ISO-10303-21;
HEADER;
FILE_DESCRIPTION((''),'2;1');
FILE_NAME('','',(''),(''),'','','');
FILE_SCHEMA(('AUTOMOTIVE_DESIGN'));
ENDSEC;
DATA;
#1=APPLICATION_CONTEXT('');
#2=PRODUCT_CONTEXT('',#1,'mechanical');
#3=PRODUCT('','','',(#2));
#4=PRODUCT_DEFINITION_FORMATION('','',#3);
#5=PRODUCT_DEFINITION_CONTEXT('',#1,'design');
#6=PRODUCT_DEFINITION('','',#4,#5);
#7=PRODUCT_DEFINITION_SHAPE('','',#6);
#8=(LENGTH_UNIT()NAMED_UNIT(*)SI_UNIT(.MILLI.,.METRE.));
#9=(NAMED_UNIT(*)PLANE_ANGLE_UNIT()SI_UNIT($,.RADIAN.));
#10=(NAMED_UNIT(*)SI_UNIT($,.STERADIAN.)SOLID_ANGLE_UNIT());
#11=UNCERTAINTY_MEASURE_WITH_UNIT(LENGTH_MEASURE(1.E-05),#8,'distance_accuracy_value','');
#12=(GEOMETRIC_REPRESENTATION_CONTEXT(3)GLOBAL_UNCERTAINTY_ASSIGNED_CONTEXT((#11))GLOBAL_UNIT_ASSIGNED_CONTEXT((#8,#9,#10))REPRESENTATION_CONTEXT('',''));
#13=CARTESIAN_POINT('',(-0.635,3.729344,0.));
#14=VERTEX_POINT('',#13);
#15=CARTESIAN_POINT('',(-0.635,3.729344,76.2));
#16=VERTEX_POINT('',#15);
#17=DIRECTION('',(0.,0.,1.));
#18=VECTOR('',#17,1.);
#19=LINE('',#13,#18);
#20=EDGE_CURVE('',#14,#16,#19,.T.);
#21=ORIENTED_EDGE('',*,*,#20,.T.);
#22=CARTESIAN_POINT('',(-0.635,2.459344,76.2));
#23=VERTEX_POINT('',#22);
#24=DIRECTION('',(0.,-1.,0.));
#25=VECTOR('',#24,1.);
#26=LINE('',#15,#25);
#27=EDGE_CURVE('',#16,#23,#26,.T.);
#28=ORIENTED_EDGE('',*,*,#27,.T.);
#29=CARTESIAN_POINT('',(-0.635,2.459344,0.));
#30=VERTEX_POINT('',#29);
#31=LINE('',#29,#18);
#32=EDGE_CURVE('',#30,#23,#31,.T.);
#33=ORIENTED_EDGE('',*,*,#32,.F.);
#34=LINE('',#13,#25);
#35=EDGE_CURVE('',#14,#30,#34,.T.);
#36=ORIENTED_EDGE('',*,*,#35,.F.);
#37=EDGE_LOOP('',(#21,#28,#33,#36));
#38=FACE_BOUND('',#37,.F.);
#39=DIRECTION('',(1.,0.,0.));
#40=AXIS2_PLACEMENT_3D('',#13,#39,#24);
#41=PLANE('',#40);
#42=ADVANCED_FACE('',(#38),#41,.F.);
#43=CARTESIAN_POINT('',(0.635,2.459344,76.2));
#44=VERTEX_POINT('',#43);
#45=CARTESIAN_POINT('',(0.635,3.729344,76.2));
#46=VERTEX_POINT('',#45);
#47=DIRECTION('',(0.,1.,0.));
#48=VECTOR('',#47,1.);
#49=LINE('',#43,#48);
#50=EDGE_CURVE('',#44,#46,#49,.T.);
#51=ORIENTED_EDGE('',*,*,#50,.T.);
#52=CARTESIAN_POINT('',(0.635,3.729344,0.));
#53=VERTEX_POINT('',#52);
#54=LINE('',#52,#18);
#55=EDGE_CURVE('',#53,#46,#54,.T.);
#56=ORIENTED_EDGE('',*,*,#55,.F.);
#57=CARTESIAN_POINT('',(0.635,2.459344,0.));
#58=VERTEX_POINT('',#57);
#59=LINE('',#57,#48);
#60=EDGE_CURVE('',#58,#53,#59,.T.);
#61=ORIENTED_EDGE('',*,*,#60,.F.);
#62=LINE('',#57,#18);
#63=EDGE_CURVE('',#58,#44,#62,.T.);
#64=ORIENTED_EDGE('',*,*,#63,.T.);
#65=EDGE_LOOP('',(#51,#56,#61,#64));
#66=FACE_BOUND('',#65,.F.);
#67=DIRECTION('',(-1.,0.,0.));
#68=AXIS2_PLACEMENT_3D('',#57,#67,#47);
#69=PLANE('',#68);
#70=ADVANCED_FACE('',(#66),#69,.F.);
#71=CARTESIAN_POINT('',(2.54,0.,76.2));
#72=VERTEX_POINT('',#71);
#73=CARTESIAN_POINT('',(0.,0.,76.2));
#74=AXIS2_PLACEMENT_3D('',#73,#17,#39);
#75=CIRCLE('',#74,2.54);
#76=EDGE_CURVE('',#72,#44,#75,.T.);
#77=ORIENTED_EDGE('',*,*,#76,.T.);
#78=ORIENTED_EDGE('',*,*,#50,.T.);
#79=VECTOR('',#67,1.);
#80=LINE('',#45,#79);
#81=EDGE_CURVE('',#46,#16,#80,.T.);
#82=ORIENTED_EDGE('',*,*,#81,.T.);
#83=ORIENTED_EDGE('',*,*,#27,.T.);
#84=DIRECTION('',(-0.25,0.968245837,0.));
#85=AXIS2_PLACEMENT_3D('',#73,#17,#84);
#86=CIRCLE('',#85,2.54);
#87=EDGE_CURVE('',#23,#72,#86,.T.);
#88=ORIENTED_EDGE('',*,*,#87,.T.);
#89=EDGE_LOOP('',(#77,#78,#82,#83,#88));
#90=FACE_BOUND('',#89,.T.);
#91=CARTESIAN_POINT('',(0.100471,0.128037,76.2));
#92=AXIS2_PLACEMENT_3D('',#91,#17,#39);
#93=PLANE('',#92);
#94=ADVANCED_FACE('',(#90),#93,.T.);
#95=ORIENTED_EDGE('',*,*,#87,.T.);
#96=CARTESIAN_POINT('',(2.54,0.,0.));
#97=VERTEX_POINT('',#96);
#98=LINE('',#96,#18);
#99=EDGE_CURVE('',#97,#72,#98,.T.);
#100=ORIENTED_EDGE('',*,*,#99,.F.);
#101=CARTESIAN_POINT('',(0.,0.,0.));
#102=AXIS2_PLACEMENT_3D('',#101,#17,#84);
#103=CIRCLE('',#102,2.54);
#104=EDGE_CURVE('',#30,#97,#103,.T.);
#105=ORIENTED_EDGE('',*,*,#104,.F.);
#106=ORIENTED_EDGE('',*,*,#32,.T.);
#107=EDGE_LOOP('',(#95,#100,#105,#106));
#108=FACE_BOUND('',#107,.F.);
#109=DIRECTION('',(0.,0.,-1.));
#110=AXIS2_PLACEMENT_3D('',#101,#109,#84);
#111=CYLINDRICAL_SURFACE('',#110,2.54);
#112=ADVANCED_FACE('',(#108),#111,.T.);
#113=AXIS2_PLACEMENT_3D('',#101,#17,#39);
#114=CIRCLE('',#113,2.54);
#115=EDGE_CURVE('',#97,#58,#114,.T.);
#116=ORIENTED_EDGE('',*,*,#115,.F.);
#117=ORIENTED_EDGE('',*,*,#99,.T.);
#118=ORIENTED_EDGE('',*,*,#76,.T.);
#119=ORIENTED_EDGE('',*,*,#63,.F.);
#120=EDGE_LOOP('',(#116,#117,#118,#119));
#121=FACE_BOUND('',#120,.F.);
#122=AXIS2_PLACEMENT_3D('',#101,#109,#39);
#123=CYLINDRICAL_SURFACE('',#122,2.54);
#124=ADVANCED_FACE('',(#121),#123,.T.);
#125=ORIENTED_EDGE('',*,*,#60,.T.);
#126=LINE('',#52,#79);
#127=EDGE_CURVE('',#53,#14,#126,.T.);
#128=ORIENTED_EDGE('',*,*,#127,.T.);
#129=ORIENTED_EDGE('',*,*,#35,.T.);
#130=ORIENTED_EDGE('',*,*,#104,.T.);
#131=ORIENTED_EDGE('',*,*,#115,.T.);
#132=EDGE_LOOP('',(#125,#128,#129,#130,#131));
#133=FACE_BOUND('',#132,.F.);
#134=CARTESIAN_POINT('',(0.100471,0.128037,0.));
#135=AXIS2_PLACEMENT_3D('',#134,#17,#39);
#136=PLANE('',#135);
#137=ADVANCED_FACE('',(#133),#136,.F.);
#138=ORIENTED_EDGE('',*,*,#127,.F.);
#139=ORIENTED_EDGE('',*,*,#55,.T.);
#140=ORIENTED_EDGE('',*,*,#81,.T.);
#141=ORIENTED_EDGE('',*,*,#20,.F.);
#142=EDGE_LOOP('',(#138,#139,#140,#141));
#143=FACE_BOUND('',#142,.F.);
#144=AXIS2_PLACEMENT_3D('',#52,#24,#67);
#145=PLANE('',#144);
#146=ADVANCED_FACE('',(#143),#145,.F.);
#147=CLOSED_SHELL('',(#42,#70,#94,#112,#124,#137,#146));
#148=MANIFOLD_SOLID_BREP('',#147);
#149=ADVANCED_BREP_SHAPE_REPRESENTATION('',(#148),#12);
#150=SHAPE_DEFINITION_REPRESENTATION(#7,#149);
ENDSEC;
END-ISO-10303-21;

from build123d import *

# Parameters (mm, degrees)
F1_DEPTH = 76.2


with BuildPart() as f1:
    # F0 (on Top) → F1 (new body)
    with BuildSketch(Plane.XY):
        with BuildLine():
            ThreePointArc((-0.635, 2.4593444248), (-1.5554259867, -2.0080463142), (2.54, 0))
            ThreePointArc((2.54, 0), (2.0080463142, 1.5554259867), (0.635, 2.4593444248))
            Line((0.635, 2.4593444248), (-0.635, 2.4593444248))
        make_face()
        with BuildLine():
            Line((-0.635, 2.4593444248), (0.635, 2.4593444248))
            ThreePointArc((0.635, 2.4593444248), (0, 2.54), (-0.635, 2.4593444248))
        make_face()
        with BuildLine():
            ThreePointArc((-0.635, 2.4593444248), (0, 2.54), (0.635, 2.4593444248))
            Line((0.635, 2.4593444248), (0.635, 3.7293444248))
            Line((0.635, 3.7293444248), (-0.635, 3.7293444248))
            Line((-0.635, 3.7293444248), (-0.635, 2.4593444248))
        make_face()
    extrude(amount=F1_DEPTH)


solid = f1.part
